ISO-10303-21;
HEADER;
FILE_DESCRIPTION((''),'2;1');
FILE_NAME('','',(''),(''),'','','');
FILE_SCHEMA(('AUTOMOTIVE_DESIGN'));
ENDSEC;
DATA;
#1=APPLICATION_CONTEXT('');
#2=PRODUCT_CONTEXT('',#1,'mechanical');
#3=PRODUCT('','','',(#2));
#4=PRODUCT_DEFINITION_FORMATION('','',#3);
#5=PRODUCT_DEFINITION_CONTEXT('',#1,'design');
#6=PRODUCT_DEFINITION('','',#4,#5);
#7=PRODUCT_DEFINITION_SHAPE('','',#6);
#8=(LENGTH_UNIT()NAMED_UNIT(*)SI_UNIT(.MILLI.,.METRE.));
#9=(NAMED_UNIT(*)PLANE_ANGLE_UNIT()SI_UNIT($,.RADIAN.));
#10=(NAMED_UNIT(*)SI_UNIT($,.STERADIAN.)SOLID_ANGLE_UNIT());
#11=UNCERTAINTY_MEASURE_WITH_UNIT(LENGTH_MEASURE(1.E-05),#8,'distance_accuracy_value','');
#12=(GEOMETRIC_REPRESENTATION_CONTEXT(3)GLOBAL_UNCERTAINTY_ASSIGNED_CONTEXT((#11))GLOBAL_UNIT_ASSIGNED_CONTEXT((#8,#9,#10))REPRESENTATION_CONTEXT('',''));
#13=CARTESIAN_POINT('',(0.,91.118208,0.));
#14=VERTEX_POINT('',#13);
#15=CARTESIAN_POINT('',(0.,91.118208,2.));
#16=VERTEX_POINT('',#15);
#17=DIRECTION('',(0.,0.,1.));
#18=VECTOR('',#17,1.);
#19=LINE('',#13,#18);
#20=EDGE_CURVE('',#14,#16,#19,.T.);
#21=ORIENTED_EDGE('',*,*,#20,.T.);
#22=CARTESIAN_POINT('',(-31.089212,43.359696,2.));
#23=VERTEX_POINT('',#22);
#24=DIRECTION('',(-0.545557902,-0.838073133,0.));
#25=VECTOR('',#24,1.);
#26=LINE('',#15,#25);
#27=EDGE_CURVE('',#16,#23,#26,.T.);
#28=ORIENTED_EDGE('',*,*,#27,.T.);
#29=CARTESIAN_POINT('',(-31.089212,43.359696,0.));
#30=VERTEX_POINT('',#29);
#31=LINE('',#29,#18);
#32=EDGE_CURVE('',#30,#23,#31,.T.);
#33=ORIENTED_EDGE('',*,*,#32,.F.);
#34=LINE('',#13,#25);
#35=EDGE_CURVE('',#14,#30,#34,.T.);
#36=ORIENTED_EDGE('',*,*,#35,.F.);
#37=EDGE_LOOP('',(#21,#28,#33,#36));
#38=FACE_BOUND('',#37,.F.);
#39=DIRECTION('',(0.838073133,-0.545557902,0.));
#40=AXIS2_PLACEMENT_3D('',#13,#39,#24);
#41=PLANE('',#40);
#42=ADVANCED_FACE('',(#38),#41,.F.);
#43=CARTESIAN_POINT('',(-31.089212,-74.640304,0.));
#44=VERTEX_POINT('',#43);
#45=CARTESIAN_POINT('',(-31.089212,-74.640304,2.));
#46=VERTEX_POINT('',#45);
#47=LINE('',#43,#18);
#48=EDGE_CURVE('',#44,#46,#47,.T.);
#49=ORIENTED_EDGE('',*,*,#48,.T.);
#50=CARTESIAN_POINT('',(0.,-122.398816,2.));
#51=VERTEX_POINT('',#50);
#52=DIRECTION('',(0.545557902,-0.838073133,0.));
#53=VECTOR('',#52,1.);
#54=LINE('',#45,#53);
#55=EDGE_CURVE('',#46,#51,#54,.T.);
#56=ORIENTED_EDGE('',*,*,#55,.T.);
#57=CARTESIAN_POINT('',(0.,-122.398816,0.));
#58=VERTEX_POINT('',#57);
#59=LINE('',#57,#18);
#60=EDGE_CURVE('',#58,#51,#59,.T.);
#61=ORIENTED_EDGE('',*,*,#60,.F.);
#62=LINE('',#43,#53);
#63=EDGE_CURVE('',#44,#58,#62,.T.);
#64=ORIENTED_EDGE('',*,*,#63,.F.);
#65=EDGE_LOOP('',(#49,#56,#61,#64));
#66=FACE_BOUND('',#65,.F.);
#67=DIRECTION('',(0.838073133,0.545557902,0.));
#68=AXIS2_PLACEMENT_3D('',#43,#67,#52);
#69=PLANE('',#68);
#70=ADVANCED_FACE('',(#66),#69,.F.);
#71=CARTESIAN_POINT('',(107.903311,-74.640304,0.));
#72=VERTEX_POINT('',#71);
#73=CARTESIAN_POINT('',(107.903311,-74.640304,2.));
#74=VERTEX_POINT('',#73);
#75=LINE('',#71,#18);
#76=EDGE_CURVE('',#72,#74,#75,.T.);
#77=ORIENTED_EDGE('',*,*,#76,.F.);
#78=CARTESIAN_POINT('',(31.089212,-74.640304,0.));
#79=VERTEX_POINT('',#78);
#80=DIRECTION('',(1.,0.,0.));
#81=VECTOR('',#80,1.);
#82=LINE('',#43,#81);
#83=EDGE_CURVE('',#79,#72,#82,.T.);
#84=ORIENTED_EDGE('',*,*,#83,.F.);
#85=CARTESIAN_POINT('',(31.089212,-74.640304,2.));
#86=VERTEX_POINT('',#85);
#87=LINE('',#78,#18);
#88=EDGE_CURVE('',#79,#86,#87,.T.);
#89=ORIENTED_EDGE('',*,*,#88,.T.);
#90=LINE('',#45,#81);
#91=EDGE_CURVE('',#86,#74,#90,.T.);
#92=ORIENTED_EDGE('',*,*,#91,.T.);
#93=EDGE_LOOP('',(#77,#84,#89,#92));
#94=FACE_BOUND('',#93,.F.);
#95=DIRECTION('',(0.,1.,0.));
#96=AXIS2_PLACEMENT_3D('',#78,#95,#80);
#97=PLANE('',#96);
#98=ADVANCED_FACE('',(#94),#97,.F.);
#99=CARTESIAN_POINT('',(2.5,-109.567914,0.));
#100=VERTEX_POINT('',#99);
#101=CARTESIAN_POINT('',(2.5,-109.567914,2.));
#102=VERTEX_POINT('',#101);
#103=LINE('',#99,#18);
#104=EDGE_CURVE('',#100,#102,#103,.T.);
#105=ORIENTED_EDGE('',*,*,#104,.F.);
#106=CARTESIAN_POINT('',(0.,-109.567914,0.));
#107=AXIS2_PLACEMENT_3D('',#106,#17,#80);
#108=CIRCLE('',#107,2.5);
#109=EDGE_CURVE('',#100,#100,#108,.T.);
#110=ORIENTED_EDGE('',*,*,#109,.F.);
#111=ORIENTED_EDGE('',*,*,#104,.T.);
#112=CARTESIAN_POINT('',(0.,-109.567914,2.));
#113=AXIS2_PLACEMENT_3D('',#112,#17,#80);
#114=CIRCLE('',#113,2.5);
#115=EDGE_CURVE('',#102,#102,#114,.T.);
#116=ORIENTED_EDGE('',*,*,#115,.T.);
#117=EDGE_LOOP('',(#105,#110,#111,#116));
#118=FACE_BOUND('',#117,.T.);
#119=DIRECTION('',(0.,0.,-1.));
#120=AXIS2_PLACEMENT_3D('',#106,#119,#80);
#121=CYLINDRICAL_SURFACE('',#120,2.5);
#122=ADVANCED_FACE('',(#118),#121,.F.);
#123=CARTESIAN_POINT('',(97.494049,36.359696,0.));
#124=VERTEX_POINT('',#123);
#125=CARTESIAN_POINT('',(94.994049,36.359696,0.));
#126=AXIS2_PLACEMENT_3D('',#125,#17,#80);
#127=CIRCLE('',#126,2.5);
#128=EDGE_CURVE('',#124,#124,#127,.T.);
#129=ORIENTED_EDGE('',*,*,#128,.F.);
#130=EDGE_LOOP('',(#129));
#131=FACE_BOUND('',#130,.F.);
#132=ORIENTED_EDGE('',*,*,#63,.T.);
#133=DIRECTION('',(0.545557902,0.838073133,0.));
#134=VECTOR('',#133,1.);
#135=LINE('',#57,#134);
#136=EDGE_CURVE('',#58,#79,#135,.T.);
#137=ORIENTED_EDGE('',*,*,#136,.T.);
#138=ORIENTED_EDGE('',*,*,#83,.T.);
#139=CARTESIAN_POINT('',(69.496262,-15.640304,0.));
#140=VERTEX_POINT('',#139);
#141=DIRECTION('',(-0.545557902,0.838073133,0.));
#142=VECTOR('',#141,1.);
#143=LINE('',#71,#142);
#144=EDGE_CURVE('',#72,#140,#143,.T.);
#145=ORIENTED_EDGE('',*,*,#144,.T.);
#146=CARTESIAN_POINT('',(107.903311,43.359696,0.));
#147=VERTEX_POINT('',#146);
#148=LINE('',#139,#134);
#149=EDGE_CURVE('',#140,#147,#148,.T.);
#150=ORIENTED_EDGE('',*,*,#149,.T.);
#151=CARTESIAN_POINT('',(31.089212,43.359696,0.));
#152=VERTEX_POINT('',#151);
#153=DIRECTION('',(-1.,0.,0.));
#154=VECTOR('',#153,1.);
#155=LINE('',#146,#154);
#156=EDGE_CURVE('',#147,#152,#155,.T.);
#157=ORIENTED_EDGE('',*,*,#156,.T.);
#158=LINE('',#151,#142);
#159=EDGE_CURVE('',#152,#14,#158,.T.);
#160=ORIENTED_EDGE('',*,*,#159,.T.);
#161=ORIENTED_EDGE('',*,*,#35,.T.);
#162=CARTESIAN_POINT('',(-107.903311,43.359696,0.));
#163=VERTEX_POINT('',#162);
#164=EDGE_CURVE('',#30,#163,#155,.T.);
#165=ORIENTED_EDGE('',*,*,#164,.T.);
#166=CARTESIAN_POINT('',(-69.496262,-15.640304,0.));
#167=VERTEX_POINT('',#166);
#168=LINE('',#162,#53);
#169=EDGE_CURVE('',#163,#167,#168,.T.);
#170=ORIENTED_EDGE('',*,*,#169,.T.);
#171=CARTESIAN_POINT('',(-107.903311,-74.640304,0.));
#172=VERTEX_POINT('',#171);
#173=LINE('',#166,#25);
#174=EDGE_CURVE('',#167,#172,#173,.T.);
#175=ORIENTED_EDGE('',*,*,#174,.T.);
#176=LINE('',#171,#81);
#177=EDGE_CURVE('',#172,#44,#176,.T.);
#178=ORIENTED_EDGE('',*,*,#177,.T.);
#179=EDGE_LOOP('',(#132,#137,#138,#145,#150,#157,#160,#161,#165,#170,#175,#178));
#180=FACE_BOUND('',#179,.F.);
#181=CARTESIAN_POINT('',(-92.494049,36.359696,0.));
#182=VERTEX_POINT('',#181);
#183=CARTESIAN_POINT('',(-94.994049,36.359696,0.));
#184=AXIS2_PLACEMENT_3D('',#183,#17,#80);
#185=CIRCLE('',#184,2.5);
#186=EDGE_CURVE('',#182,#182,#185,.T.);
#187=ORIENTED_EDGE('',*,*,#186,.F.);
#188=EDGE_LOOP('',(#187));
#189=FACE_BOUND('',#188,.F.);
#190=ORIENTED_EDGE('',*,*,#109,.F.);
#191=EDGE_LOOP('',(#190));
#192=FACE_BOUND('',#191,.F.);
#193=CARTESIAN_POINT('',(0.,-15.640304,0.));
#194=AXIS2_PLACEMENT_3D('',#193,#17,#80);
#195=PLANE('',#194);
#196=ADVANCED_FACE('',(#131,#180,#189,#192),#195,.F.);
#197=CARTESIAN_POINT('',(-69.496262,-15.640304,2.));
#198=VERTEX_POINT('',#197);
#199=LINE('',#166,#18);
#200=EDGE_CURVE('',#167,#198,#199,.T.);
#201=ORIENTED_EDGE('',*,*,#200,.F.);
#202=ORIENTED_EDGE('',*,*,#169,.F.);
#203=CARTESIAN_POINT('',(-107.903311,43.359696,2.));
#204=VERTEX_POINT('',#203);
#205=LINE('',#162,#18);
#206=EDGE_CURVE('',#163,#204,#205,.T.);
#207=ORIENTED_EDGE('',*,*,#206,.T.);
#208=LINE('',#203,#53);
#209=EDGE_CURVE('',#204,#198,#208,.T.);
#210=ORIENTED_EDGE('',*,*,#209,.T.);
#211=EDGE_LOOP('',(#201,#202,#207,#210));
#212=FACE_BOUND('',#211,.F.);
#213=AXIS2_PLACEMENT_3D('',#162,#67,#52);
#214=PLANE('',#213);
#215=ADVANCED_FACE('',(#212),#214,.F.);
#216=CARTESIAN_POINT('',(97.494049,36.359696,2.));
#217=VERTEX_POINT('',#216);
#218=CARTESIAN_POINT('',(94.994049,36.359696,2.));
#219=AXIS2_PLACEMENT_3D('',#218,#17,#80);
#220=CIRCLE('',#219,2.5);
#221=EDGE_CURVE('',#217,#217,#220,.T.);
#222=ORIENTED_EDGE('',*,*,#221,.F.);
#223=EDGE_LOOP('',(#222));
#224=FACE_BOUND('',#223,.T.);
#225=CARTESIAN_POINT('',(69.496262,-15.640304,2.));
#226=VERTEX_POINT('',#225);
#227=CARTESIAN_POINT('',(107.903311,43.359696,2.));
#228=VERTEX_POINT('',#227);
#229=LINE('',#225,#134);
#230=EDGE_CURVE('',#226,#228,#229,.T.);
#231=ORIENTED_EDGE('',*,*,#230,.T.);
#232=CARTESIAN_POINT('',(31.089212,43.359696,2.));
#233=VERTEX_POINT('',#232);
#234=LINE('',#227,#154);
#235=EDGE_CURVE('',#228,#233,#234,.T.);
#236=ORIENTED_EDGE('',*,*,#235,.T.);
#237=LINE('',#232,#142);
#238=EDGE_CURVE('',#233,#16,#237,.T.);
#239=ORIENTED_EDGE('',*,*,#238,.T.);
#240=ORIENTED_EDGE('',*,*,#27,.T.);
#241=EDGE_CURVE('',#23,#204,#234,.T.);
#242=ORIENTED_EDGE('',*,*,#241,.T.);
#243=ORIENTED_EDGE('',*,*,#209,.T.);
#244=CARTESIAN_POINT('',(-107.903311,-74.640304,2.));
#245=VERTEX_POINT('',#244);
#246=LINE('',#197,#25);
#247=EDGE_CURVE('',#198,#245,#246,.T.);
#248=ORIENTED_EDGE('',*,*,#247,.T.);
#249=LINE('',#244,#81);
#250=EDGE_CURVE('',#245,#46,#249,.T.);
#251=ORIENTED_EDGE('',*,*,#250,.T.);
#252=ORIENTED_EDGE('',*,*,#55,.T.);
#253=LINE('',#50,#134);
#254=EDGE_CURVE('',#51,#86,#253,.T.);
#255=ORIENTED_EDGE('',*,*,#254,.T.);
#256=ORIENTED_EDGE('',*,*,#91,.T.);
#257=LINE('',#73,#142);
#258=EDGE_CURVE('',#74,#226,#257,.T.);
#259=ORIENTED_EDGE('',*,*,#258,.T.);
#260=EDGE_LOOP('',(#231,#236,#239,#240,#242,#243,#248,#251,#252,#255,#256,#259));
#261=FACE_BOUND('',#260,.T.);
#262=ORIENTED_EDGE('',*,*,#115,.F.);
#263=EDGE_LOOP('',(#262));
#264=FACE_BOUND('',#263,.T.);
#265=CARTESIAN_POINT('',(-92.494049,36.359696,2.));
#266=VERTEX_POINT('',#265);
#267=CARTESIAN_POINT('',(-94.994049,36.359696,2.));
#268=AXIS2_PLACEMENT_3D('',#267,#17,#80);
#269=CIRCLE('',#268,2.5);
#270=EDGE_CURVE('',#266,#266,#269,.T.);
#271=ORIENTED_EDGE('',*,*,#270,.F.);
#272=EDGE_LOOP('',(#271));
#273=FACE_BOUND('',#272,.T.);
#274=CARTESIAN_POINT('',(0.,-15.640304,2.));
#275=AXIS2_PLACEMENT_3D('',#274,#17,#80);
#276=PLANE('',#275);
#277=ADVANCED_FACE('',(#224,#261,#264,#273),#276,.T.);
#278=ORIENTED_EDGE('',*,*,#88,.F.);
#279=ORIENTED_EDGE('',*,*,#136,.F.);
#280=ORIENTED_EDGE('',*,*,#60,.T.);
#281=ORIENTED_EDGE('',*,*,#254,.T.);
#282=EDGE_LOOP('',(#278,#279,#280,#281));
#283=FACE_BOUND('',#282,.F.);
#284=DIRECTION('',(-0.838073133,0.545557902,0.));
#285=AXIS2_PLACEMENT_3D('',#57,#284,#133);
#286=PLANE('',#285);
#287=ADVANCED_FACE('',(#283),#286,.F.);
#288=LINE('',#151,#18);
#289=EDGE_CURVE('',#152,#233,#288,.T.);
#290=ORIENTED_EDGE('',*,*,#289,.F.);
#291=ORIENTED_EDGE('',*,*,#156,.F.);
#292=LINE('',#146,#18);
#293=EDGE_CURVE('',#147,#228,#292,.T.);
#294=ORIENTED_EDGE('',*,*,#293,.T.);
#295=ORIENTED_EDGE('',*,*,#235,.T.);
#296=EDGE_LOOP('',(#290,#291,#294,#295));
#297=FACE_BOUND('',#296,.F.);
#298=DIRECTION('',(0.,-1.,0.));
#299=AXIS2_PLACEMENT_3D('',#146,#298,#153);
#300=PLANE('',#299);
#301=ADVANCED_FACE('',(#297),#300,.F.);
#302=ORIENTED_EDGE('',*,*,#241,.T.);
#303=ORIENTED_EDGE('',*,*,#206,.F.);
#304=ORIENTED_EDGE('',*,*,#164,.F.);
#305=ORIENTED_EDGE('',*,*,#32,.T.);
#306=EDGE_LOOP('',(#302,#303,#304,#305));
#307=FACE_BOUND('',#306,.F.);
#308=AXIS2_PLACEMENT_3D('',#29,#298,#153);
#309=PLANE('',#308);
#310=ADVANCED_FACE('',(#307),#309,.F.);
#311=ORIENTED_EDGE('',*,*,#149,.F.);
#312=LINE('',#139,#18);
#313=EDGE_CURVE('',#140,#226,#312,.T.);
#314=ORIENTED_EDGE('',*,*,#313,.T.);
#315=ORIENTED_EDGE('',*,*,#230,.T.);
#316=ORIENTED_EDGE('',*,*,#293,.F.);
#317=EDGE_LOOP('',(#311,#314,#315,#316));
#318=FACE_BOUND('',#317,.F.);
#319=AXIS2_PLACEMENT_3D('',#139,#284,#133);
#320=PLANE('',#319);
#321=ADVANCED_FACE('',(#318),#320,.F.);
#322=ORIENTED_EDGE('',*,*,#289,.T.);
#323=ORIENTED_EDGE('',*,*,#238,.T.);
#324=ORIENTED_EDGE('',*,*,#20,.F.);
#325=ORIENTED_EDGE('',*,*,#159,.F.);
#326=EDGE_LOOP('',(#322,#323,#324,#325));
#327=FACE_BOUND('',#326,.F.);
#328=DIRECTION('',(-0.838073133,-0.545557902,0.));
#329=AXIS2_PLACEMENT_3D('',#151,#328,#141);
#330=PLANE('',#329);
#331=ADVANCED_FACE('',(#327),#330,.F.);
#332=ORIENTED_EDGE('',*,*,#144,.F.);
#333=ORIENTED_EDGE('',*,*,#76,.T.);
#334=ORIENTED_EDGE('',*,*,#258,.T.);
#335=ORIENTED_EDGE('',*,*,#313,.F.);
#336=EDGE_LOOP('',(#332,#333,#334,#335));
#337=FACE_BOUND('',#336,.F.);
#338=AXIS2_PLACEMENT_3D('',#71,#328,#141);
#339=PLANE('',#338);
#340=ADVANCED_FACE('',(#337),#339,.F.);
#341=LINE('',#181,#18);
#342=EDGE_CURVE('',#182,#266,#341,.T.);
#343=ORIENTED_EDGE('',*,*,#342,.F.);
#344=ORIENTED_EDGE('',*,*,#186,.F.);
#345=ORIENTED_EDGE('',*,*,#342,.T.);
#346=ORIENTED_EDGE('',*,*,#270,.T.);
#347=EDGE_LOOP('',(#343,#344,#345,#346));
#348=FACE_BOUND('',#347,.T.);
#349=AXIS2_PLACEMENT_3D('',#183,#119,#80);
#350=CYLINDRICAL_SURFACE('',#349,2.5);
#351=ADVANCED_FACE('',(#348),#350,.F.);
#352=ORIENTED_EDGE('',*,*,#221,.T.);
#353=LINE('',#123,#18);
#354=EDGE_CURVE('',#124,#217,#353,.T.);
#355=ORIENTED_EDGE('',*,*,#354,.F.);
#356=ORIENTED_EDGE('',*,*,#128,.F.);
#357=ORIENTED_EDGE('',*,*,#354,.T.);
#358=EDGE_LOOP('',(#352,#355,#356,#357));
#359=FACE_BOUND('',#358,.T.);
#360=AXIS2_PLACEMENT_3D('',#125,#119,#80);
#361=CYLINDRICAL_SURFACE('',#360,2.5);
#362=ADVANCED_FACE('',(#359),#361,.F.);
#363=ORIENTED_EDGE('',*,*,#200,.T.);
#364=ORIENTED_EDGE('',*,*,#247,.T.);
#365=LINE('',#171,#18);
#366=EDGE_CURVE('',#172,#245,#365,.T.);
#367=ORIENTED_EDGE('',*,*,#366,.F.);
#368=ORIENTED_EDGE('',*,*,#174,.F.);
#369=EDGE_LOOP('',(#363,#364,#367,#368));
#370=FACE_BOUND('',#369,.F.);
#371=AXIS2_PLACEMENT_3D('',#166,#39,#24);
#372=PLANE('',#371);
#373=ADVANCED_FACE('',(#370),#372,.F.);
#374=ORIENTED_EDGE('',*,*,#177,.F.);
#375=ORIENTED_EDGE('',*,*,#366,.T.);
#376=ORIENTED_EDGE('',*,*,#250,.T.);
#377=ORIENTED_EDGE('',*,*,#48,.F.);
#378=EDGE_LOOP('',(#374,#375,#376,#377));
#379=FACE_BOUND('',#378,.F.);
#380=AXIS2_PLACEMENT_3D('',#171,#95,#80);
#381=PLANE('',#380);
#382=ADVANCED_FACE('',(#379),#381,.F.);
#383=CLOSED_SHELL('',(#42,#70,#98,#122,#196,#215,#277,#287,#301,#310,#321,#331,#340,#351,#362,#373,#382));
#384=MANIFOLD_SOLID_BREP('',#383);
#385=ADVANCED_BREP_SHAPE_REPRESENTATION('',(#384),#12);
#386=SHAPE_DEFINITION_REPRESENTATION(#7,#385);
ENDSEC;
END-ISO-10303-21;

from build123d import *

# Parameters (mm, degrees)
F0_R     = 2.5
F1_DEPTH = 2


with BuildPart() as f1:
    # F0 (on Top) → F1 (new body)
    with BuildSketch(Plane.XY):
        Polygon((31.0892123008, 43.3596958699), (-31.0892123008, 43.3596958699), (-69.496261684, -15.6403041301), (-31.0892123008, -74.6403041301), (31.0892123008, -74.6403041301), (69.496261684, -15.6403041301), align=None)
        Polygon((-69.496261684, -15.6403041301), (-31.0892123008, 43.3596958699), (-107.9033110673, 43.3596958699), align=None)
        with Locations((-94.9940494668, 36.3596958699)):
            Circle(F0_R, mode=Mode.SUBTRACT)
        Polygon((107.9033110673, 43.3596958699), (31.0892123008, 43.3596958699), (69.496261684, -15.6403041301), align=None)
        with Locations((94.9940494668, 36.3596958699)):
            Circle(F0_R, mode=Mode.SUBTRACT)
        Polygon((31.0892123008, 43.3596958699), (0, 91.118207789), (-31.0892123008, 43.3596958699), align=None)
        Polygon((107.9033110673, -74.6403041301), (69.496261684, -15.6403041301), (31.0892123008, -74.6403041301), align=None)
        Polygon((31.0892123008, -74.6403041301), (-31.0892123008, -74.6403041301), (0, -122.3988160491), align=None)
        with Locations((0, -109.5679139971)):
            Circle(F0_R, mode=Mode.SUBTRACT)
        Polygon((-31.0892123008, -74.6403041301), (-69.496261684, -15.6403041301), (-107.9033110673, -74.6403041301), align=None)
    extrude(amount=F1_DEPTH)


solid = f1.part
